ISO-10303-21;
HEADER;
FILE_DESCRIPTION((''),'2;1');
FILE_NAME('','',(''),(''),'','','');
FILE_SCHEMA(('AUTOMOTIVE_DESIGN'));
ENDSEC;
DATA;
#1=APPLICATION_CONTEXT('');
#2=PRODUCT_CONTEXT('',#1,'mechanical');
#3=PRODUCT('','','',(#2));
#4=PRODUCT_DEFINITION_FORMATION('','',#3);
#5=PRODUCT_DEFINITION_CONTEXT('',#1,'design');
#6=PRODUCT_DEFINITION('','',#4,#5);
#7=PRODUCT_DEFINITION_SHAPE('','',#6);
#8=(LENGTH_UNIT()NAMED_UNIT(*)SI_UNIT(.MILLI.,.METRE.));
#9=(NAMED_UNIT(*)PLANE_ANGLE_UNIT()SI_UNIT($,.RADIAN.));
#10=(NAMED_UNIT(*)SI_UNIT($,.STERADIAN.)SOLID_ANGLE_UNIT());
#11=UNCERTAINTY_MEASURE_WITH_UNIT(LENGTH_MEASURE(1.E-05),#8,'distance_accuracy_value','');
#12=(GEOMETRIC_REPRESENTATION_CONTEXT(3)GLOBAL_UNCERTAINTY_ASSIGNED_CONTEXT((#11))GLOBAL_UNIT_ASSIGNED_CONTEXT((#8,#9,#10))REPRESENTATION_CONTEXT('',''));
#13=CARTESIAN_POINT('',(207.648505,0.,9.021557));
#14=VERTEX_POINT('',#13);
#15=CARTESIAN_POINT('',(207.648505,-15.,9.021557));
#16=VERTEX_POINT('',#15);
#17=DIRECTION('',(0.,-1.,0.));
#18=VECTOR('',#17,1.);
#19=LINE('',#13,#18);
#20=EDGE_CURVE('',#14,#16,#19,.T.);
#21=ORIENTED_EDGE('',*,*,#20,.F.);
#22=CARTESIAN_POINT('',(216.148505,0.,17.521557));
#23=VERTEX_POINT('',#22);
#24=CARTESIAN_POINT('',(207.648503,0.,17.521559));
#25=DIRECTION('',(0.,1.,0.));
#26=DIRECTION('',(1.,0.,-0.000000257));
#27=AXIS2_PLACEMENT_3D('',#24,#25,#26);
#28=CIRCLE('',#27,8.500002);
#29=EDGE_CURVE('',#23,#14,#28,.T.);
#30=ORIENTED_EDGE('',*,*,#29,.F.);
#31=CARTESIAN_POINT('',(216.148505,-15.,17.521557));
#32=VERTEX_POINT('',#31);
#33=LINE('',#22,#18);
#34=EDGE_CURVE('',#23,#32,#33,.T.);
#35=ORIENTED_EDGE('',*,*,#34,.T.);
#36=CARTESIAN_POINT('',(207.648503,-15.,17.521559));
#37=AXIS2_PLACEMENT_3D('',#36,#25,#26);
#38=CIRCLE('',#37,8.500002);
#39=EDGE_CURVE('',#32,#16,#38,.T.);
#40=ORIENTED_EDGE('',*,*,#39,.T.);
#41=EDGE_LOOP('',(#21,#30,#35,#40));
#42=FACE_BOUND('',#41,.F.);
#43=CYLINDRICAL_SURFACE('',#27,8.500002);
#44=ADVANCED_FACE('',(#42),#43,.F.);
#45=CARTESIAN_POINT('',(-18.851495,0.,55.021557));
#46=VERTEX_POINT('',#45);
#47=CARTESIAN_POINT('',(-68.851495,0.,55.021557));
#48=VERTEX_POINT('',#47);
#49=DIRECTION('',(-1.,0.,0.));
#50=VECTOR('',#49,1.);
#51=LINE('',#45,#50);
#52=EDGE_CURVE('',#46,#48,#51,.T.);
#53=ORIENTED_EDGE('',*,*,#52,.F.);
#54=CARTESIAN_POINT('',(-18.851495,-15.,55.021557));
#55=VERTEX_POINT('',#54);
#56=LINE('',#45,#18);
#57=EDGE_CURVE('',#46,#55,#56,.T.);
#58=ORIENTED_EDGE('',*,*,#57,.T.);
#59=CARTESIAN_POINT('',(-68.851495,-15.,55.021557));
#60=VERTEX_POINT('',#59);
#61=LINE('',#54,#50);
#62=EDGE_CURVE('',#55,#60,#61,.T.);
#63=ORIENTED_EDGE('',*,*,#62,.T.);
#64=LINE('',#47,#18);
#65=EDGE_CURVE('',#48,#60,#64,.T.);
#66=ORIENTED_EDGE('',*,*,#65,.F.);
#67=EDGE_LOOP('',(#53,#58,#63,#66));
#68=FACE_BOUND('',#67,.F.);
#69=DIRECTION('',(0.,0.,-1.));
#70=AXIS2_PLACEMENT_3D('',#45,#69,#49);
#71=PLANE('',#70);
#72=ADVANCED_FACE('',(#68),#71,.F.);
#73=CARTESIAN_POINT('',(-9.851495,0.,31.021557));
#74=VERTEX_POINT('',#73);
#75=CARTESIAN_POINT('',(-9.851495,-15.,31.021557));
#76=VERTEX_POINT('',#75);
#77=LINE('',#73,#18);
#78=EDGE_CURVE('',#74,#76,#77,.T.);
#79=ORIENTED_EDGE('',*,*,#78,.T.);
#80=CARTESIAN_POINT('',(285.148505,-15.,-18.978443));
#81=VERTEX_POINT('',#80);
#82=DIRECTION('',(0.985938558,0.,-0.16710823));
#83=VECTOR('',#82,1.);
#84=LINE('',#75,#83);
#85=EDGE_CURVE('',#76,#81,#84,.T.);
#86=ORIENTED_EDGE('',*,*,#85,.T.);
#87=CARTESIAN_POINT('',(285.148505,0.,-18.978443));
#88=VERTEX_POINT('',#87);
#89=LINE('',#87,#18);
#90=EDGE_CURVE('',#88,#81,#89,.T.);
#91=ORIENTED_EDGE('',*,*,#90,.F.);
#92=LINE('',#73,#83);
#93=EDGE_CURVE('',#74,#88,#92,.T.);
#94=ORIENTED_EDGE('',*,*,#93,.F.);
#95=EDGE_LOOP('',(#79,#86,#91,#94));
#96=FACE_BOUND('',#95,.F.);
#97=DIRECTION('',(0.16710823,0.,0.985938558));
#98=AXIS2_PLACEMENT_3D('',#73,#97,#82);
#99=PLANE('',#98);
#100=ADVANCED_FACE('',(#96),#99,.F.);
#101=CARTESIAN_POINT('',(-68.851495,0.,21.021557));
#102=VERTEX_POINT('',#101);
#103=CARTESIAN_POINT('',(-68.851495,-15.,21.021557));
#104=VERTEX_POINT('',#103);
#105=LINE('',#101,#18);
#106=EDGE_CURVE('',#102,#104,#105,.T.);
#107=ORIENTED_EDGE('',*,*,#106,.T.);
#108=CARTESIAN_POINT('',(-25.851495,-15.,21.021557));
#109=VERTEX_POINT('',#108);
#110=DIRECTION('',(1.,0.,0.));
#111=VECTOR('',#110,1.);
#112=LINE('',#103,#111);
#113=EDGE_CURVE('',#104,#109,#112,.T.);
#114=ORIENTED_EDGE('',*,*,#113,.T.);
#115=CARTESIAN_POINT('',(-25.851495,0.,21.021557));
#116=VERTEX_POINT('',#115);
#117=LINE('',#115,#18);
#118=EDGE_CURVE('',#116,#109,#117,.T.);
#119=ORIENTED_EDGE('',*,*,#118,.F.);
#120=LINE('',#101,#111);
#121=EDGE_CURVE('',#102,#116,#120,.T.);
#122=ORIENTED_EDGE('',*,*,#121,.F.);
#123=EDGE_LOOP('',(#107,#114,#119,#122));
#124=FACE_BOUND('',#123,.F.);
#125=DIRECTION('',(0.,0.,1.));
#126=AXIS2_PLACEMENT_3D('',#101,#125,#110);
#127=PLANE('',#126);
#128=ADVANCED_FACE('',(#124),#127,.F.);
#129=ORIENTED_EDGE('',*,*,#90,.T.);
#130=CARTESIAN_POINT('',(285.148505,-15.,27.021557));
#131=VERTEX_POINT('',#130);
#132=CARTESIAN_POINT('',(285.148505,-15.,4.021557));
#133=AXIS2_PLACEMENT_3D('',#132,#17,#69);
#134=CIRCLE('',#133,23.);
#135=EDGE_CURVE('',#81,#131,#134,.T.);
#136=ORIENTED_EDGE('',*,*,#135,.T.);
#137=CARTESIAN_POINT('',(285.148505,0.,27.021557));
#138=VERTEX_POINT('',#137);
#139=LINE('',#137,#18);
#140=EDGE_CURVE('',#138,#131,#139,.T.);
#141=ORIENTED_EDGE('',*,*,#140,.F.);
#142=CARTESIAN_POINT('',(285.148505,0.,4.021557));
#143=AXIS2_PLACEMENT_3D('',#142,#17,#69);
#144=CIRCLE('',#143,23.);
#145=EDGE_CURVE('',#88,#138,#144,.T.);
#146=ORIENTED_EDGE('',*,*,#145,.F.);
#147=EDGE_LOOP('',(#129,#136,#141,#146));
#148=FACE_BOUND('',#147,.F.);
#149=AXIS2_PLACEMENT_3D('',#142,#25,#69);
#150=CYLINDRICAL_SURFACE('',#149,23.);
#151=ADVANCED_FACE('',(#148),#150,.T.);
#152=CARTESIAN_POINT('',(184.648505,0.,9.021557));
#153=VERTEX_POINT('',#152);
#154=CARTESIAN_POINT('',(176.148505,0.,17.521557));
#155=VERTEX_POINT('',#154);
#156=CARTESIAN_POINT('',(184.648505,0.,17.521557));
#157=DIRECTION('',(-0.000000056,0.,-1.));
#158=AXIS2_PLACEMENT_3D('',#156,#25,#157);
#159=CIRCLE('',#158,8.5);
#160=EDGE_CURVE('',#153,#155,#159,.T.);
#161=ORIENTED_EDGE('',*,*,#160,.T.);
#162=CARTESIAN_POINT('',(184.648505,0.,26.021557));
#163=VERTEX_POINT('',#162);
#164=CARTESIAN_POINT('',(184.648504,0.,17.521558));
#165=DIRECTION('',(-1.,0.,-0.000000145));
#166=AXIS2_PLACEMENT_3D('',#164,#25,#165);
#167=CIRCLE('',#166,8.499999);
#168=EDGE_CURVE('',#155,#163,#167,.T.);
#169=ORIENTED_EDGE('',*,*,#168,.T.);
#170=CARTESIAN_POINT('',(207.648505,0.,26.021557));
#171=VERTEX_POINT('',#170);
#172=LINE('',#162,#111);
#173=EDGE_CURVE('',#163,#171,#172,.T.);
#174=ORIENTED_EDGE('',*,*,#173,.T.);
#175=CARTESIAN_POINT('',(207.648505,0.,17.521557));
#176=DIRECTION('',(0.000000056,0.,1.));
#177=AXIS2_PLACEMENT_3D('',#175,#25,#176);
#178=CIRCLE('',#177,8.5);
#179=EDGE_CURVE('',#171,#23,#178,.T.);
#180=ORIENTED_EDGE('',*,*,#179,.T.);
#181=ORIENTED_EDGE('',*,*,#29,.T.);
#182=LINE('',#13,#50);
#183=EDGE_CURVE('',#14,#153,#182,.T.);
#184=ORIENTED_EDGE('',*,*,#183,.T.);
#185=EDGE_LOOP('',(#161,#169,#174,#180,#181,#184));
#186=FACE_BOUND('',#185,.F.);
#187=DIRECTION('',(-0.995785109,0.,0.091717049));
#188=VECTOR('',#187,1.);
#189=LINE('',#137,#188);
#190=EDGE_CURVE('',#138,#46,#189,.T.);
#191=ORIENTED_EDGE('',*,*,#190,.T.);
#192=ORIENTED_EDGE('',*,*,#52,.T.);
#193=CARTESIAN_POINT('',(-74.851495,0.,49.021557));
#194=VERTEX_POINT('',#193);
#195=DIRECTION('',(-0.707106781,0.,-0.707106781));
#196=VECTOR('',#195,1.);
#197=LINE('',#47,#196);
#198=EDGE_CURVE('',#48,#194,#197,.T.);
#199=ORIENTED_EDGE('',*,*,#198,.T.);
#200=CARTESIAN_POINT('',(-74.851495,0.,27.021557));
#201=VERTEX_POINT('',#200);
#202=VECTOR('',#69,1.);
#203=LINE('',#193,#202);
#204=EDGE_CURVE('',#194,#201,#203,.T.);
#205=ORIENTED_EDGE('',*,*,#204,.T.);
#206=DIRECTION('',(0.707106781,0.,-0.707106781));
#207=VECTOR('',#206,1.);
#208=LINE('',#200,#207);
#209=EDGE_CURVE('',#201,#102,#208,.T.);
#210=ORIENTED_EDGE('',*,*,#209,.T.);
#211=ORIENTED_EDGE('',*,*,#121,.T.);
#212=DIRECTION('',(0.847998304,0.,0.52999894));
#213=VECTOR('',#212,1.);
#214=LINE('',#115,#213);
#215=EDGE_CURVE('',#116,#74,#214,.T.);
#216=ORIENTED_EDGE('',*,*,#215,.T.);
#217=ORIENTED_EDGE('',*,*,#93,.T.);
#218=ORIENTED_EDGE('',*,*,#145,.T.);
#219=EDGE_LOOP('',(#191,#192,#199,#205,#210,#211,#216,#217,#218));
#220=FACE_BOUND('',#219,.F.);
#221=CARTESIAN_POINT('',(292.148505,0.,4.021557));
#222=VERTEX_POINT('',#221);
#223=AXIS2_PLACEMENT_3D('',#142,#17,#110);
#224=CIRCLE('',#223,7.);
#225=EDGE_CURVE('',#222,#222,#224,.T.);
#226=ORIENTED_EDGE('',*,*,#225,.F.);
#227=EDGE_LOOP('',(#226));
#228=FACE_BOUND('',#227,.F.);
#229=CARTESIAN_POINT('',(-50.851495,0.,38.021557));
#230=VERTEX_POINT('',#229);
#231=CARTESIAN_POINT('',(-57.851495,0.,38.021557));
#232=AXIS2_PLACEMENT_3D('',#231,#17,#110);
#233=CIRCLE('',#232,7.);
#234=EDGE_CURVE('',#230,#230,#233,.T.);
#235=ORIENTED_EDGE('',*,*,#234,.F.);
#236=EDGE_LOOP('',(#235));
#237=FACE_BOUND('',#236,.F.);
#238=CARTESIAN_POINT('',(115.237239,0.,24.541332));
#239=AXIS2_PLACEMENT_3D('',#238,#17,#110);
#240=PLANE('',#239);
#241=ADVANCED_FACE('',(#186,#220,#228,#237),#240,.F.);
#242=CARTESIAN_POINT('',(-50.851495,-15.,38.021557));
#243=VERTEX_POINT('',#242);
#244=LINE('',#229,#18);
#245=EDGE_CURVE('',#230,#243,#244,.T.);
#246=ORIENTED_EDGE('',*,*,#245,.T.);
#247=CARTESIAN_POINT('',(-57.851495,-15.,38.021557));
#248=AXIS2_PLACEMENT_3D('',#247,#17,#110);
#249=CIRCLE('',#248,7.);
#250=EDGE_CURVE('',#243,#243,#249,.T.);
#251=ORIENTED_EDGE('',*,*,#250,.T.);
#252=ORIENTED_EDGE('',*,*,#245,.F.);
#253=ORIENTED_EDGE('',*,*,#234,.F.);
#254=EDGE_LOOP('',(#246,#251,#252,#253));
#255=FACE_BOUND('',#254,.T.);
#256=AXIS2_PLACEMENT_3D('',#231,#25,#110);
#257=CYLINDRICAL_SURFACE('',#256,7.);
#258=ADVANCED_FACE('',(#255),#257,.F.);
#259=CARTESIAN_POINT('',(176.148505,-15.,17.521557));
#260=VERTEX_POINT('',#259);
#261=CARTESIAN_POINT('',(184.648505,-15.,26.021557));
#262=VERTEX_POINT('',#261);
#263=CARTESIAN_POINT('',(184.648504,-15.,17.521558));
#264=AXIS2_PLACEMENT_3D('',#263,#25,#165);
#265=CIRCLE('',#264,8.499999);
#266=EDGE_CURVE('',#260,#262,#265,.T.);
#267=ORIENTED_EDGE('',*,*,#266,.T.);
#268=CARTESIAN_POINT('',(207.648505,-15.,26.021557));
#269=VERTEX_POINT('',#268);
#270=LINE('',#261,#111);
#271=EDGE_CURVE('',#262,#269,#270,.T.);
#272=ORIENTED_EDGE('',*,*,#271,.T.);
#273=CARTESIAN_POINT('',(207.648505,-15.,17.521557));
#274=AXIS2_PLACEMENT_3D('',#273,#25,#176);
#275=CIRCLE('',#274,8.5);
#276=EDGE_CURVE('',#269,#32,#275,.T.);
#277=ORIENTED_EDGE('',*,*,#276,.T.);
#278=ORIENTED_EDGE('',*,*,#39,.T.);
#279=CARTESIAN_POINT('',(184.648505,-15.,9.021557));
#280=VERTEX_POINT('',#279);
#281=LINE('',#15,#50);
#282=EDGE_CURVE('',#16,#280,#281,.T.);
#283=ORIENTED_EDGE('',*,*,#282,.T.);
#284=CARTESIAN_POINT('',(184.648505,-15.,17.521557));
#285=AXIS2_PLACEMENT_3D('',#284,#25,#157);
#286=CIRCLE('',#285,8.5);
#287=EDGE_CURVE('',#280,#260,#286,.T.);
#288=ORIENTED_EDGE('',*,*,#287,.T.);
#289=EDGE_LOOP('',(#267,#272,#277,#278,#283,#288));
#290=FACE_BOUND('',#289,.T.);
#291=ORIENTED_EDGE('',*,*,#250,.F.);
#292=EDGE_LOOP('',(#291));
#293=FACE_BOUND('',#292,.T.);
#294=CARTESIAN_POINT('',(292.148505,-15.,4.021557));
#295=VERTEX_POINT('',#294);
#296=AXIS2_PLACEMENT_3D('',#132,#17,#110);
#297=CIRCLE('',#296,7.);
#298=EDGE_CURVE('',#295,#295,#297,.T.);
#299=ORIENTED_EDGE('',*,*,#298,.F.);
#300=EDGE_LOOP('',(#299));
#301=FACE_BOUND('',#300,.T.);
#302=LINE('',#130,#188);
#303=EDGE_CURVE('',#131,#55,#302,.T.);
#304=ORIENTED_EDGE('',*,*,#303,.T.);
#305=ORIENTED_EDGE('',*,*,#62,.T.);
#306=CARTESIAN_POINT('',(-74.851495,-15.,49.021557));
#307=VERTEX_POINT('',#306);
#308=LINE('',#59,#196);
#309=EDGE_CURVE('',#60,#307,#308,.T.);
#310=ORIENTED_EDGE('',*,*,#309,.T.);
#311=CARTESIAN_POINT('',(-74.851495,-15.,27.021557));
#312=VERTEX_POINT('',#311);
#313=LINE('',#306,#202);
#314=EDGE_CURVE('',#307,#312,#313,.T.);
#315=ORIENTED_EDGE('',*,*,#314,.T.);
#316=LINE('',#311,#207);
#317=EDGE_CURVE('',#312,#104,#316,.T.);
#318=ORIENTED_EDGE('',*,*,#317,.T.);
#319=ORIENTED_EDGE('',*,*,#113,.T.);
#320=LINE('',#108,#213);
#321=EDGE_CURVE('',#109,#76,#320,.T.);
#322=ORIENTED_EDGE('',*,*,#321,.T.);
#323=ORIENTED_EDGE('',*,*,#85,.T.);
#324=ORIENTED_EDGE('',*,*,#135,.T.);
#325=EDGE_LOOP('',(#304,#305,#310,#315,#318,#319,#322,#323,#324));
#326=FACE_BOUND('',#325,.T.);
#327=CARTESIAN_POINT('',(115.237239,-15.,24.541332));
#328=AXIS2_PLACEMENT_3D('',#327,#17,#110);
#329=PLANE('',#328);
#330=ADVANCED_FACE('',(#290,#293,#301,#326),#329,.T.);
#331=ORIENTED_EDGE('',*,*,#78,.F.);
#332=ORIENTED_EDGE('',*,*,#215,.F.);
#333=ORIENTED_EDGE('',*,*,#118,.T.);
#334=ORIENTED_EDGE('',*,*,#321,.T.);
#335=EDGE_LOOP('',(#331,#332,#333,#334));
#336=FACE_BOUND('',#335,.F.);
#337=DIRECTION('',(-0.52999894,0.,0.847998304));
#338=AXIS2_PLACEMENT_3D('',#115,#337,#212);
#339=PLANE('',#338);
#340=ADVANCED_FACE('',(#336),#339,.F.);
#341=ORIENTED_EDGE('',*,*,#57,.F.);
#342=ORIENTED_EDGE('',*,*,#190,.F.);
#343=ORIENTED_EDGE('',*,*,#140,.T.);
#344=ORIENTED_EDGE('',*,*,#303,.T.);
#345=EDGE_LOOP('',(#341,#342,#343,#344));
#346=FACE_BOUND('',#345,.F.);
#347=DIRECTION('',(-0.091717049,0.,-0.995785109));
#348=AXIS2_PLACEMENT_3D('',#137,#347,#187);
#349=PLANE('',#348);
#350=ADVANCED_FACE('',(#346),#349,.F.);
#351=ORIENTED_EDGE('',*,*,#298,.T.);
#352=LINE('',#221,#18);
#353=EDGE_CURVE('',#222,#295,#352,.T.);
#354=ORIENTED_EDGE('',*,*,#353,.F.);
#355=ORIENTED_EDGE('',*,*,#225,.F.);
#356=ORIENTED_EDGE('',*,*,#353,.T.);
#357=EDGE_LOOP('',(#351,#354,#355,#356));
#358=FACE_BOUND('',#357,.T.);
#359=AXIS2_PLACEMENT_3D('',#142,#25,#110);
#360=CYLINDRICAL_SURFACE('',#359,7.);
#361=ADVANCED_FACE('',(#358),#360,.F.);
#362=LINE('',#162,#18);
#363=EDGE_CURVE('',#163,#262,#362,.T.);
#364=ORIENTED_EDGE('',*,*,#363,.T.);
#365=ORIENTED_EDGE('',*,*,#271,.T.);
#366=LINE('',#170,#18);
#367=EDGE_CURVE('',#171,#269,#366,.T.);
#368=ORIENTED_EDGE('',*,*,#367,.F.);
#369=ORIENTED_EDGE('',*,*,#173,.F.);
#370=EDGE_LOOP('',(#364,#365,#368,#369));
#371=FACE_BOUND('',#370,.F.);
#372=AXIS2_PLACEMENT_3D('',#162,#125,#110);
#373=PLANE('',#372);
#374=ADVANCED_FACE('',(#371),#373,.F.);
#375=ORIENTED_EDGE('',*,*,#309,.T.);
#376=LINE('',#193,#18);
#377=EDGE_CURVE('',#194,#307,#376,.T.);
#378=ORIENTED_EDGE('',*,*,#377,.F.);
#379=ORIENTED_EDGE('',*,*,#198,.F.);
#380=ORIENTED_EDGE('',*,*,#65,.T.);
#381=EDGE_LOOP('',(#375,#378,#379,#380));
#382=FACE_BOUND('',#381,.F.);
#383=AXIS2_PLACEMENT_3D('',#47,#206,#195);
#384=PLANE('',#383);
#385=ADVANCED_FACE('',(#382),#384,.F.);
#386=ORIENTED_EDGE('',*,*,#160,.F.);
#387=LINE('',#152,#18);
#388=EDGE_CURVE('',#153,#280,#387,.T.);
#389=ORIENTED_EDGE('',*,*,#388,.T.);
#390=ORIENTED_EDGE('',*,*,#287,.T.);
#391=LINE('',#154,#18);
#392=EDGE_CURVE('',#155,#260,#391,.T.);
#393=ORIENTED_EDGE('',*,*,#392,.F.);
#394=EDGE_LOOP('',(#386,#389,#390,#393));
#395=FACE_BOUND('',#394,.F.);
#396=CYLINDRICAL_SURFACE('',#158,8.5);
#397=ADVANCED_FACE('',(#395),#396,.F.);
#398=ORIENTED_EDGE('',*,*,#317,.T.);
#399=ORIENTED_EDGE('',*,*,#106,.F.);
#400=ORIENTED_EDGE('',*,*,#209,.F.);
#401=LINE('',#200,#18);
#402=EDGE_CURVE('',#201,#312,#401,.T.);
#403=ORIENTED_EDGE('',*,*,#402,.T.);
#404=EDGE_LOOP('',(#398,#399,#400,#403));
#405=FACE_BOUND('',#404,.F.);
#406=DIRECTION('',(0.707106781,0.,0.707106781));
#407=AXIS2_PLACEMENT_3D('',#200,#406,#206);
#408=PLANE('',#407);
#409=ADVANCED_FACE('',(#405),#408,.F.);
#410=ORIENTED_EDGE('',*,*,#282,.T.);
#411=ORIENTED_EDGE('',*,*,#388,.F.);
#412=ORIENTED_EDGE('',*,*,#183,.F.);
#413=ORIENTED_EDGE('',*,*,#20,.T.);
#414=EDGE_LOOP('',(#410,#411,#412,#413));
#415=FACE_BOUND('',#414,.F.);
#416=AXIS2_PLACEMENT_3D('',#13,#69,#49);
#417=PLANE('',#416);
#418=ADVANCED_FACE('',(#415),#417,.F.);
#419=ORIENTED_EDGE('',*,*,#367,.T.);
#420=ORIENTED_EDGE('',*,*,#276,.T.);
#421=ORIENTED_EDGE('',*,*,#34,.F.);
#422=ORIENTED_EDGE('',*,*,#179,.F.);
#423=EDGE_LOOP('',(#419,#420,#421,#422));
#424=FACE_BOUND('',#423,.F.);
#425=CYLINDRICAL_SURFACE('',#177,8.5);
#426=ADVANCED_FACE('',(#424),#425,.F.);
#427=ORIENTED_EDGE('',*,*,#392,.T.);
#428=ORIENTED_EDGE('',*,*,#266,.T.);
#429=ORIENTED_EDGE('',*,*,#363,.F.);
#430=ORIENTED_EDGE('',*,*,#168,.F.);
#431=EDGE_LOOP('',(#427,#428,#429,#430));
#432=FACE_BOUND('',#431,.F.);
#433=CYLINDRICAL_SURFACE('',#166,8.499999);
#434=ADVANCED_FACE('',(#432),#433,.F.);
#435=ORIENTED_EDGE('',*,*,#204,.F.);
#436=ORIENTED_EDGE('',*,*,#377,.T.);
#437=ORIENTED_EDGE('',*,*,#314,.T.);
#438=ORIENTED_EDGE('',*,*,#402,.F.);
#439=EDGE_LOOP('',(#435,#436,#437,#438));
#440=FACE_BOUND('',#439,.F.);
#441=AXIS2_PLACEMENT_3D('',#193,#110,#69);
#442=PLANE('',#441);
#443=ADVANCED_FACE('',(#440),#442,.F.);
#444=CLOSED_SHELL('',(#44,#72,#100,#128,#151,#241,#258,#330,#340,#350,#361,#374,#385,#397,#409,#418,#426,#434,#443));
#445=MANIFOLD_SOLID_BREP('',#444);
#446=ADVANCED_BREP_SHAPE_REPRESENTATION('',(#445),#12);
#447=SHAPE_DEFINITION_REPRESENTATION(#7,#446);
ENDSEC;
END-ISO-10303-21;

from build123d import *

# Parameters (mm, degrees)
F0_R     = 7
F1_DEPTH = 15


with BuildPart() as f1:
    # F0 (on Front) → F1 (new body)
    with BuildSketch(Plane.XZ):
        with BuildLine():
            Line((285.148505, 27.021557), (-18.851495, 55.021557))
            Line((-18.851495, 55.021557), (-68.851495, 55.021557))
            Line((-68.851495, 55.021557), (-74.851495, 49.021557))
            Line((-74.851495, 49.021557), (-74.851495, 27.021557))
            Line((-74.851495, 27.021557), (-68.851495, 21.021557))
            Line((-68.851495, 21.021557), (-25.851495, 21.021557))
            Line((-25.851495, 21.021557), (-9.851495, 31.021557))
            Line((-9.851495, 31.021557), (285.148505, -18.978443))
            ThreePointArc((285.148505, -18.978443), (308.148505, 4.021557), (285.148505, 27.021557))
        make_face()
        with BuildLine():
            ThreePointArc((176.148505, 17.521557), (178.638097, 23.531965), (184.648505, 26.021557))
            Line((184.648505, 26.021557), (207.648505, 26.021557))
            ThreePointArc((207.648505, 26.021557), (213.658912, 23.531965), (216.148505, 17.521557))
            ThreePointArc((216.148505, 17.521557), (213.658912, 11.51115), (207.648505, 9.021557))
            Line((207.648505, 9.021557), (184.648505, 9.021557))
            ThreePointArc((184.648505, 9.021557), (178.638097, 11.51115), (176.148505, 17.521557))
        make_face(mode=Mode.SUBTRACT)
        with Locations((285.148505, 4.021557)):
            Circle(F0_R, mode=Mode.SUBTRACT)
        with Locations((-57.851495, 38.021557)):
            Circle(F0_R, mode=Mode.SUBTRACT)
    extrude(amount=F1_DEPTH)


solid = f1.part
